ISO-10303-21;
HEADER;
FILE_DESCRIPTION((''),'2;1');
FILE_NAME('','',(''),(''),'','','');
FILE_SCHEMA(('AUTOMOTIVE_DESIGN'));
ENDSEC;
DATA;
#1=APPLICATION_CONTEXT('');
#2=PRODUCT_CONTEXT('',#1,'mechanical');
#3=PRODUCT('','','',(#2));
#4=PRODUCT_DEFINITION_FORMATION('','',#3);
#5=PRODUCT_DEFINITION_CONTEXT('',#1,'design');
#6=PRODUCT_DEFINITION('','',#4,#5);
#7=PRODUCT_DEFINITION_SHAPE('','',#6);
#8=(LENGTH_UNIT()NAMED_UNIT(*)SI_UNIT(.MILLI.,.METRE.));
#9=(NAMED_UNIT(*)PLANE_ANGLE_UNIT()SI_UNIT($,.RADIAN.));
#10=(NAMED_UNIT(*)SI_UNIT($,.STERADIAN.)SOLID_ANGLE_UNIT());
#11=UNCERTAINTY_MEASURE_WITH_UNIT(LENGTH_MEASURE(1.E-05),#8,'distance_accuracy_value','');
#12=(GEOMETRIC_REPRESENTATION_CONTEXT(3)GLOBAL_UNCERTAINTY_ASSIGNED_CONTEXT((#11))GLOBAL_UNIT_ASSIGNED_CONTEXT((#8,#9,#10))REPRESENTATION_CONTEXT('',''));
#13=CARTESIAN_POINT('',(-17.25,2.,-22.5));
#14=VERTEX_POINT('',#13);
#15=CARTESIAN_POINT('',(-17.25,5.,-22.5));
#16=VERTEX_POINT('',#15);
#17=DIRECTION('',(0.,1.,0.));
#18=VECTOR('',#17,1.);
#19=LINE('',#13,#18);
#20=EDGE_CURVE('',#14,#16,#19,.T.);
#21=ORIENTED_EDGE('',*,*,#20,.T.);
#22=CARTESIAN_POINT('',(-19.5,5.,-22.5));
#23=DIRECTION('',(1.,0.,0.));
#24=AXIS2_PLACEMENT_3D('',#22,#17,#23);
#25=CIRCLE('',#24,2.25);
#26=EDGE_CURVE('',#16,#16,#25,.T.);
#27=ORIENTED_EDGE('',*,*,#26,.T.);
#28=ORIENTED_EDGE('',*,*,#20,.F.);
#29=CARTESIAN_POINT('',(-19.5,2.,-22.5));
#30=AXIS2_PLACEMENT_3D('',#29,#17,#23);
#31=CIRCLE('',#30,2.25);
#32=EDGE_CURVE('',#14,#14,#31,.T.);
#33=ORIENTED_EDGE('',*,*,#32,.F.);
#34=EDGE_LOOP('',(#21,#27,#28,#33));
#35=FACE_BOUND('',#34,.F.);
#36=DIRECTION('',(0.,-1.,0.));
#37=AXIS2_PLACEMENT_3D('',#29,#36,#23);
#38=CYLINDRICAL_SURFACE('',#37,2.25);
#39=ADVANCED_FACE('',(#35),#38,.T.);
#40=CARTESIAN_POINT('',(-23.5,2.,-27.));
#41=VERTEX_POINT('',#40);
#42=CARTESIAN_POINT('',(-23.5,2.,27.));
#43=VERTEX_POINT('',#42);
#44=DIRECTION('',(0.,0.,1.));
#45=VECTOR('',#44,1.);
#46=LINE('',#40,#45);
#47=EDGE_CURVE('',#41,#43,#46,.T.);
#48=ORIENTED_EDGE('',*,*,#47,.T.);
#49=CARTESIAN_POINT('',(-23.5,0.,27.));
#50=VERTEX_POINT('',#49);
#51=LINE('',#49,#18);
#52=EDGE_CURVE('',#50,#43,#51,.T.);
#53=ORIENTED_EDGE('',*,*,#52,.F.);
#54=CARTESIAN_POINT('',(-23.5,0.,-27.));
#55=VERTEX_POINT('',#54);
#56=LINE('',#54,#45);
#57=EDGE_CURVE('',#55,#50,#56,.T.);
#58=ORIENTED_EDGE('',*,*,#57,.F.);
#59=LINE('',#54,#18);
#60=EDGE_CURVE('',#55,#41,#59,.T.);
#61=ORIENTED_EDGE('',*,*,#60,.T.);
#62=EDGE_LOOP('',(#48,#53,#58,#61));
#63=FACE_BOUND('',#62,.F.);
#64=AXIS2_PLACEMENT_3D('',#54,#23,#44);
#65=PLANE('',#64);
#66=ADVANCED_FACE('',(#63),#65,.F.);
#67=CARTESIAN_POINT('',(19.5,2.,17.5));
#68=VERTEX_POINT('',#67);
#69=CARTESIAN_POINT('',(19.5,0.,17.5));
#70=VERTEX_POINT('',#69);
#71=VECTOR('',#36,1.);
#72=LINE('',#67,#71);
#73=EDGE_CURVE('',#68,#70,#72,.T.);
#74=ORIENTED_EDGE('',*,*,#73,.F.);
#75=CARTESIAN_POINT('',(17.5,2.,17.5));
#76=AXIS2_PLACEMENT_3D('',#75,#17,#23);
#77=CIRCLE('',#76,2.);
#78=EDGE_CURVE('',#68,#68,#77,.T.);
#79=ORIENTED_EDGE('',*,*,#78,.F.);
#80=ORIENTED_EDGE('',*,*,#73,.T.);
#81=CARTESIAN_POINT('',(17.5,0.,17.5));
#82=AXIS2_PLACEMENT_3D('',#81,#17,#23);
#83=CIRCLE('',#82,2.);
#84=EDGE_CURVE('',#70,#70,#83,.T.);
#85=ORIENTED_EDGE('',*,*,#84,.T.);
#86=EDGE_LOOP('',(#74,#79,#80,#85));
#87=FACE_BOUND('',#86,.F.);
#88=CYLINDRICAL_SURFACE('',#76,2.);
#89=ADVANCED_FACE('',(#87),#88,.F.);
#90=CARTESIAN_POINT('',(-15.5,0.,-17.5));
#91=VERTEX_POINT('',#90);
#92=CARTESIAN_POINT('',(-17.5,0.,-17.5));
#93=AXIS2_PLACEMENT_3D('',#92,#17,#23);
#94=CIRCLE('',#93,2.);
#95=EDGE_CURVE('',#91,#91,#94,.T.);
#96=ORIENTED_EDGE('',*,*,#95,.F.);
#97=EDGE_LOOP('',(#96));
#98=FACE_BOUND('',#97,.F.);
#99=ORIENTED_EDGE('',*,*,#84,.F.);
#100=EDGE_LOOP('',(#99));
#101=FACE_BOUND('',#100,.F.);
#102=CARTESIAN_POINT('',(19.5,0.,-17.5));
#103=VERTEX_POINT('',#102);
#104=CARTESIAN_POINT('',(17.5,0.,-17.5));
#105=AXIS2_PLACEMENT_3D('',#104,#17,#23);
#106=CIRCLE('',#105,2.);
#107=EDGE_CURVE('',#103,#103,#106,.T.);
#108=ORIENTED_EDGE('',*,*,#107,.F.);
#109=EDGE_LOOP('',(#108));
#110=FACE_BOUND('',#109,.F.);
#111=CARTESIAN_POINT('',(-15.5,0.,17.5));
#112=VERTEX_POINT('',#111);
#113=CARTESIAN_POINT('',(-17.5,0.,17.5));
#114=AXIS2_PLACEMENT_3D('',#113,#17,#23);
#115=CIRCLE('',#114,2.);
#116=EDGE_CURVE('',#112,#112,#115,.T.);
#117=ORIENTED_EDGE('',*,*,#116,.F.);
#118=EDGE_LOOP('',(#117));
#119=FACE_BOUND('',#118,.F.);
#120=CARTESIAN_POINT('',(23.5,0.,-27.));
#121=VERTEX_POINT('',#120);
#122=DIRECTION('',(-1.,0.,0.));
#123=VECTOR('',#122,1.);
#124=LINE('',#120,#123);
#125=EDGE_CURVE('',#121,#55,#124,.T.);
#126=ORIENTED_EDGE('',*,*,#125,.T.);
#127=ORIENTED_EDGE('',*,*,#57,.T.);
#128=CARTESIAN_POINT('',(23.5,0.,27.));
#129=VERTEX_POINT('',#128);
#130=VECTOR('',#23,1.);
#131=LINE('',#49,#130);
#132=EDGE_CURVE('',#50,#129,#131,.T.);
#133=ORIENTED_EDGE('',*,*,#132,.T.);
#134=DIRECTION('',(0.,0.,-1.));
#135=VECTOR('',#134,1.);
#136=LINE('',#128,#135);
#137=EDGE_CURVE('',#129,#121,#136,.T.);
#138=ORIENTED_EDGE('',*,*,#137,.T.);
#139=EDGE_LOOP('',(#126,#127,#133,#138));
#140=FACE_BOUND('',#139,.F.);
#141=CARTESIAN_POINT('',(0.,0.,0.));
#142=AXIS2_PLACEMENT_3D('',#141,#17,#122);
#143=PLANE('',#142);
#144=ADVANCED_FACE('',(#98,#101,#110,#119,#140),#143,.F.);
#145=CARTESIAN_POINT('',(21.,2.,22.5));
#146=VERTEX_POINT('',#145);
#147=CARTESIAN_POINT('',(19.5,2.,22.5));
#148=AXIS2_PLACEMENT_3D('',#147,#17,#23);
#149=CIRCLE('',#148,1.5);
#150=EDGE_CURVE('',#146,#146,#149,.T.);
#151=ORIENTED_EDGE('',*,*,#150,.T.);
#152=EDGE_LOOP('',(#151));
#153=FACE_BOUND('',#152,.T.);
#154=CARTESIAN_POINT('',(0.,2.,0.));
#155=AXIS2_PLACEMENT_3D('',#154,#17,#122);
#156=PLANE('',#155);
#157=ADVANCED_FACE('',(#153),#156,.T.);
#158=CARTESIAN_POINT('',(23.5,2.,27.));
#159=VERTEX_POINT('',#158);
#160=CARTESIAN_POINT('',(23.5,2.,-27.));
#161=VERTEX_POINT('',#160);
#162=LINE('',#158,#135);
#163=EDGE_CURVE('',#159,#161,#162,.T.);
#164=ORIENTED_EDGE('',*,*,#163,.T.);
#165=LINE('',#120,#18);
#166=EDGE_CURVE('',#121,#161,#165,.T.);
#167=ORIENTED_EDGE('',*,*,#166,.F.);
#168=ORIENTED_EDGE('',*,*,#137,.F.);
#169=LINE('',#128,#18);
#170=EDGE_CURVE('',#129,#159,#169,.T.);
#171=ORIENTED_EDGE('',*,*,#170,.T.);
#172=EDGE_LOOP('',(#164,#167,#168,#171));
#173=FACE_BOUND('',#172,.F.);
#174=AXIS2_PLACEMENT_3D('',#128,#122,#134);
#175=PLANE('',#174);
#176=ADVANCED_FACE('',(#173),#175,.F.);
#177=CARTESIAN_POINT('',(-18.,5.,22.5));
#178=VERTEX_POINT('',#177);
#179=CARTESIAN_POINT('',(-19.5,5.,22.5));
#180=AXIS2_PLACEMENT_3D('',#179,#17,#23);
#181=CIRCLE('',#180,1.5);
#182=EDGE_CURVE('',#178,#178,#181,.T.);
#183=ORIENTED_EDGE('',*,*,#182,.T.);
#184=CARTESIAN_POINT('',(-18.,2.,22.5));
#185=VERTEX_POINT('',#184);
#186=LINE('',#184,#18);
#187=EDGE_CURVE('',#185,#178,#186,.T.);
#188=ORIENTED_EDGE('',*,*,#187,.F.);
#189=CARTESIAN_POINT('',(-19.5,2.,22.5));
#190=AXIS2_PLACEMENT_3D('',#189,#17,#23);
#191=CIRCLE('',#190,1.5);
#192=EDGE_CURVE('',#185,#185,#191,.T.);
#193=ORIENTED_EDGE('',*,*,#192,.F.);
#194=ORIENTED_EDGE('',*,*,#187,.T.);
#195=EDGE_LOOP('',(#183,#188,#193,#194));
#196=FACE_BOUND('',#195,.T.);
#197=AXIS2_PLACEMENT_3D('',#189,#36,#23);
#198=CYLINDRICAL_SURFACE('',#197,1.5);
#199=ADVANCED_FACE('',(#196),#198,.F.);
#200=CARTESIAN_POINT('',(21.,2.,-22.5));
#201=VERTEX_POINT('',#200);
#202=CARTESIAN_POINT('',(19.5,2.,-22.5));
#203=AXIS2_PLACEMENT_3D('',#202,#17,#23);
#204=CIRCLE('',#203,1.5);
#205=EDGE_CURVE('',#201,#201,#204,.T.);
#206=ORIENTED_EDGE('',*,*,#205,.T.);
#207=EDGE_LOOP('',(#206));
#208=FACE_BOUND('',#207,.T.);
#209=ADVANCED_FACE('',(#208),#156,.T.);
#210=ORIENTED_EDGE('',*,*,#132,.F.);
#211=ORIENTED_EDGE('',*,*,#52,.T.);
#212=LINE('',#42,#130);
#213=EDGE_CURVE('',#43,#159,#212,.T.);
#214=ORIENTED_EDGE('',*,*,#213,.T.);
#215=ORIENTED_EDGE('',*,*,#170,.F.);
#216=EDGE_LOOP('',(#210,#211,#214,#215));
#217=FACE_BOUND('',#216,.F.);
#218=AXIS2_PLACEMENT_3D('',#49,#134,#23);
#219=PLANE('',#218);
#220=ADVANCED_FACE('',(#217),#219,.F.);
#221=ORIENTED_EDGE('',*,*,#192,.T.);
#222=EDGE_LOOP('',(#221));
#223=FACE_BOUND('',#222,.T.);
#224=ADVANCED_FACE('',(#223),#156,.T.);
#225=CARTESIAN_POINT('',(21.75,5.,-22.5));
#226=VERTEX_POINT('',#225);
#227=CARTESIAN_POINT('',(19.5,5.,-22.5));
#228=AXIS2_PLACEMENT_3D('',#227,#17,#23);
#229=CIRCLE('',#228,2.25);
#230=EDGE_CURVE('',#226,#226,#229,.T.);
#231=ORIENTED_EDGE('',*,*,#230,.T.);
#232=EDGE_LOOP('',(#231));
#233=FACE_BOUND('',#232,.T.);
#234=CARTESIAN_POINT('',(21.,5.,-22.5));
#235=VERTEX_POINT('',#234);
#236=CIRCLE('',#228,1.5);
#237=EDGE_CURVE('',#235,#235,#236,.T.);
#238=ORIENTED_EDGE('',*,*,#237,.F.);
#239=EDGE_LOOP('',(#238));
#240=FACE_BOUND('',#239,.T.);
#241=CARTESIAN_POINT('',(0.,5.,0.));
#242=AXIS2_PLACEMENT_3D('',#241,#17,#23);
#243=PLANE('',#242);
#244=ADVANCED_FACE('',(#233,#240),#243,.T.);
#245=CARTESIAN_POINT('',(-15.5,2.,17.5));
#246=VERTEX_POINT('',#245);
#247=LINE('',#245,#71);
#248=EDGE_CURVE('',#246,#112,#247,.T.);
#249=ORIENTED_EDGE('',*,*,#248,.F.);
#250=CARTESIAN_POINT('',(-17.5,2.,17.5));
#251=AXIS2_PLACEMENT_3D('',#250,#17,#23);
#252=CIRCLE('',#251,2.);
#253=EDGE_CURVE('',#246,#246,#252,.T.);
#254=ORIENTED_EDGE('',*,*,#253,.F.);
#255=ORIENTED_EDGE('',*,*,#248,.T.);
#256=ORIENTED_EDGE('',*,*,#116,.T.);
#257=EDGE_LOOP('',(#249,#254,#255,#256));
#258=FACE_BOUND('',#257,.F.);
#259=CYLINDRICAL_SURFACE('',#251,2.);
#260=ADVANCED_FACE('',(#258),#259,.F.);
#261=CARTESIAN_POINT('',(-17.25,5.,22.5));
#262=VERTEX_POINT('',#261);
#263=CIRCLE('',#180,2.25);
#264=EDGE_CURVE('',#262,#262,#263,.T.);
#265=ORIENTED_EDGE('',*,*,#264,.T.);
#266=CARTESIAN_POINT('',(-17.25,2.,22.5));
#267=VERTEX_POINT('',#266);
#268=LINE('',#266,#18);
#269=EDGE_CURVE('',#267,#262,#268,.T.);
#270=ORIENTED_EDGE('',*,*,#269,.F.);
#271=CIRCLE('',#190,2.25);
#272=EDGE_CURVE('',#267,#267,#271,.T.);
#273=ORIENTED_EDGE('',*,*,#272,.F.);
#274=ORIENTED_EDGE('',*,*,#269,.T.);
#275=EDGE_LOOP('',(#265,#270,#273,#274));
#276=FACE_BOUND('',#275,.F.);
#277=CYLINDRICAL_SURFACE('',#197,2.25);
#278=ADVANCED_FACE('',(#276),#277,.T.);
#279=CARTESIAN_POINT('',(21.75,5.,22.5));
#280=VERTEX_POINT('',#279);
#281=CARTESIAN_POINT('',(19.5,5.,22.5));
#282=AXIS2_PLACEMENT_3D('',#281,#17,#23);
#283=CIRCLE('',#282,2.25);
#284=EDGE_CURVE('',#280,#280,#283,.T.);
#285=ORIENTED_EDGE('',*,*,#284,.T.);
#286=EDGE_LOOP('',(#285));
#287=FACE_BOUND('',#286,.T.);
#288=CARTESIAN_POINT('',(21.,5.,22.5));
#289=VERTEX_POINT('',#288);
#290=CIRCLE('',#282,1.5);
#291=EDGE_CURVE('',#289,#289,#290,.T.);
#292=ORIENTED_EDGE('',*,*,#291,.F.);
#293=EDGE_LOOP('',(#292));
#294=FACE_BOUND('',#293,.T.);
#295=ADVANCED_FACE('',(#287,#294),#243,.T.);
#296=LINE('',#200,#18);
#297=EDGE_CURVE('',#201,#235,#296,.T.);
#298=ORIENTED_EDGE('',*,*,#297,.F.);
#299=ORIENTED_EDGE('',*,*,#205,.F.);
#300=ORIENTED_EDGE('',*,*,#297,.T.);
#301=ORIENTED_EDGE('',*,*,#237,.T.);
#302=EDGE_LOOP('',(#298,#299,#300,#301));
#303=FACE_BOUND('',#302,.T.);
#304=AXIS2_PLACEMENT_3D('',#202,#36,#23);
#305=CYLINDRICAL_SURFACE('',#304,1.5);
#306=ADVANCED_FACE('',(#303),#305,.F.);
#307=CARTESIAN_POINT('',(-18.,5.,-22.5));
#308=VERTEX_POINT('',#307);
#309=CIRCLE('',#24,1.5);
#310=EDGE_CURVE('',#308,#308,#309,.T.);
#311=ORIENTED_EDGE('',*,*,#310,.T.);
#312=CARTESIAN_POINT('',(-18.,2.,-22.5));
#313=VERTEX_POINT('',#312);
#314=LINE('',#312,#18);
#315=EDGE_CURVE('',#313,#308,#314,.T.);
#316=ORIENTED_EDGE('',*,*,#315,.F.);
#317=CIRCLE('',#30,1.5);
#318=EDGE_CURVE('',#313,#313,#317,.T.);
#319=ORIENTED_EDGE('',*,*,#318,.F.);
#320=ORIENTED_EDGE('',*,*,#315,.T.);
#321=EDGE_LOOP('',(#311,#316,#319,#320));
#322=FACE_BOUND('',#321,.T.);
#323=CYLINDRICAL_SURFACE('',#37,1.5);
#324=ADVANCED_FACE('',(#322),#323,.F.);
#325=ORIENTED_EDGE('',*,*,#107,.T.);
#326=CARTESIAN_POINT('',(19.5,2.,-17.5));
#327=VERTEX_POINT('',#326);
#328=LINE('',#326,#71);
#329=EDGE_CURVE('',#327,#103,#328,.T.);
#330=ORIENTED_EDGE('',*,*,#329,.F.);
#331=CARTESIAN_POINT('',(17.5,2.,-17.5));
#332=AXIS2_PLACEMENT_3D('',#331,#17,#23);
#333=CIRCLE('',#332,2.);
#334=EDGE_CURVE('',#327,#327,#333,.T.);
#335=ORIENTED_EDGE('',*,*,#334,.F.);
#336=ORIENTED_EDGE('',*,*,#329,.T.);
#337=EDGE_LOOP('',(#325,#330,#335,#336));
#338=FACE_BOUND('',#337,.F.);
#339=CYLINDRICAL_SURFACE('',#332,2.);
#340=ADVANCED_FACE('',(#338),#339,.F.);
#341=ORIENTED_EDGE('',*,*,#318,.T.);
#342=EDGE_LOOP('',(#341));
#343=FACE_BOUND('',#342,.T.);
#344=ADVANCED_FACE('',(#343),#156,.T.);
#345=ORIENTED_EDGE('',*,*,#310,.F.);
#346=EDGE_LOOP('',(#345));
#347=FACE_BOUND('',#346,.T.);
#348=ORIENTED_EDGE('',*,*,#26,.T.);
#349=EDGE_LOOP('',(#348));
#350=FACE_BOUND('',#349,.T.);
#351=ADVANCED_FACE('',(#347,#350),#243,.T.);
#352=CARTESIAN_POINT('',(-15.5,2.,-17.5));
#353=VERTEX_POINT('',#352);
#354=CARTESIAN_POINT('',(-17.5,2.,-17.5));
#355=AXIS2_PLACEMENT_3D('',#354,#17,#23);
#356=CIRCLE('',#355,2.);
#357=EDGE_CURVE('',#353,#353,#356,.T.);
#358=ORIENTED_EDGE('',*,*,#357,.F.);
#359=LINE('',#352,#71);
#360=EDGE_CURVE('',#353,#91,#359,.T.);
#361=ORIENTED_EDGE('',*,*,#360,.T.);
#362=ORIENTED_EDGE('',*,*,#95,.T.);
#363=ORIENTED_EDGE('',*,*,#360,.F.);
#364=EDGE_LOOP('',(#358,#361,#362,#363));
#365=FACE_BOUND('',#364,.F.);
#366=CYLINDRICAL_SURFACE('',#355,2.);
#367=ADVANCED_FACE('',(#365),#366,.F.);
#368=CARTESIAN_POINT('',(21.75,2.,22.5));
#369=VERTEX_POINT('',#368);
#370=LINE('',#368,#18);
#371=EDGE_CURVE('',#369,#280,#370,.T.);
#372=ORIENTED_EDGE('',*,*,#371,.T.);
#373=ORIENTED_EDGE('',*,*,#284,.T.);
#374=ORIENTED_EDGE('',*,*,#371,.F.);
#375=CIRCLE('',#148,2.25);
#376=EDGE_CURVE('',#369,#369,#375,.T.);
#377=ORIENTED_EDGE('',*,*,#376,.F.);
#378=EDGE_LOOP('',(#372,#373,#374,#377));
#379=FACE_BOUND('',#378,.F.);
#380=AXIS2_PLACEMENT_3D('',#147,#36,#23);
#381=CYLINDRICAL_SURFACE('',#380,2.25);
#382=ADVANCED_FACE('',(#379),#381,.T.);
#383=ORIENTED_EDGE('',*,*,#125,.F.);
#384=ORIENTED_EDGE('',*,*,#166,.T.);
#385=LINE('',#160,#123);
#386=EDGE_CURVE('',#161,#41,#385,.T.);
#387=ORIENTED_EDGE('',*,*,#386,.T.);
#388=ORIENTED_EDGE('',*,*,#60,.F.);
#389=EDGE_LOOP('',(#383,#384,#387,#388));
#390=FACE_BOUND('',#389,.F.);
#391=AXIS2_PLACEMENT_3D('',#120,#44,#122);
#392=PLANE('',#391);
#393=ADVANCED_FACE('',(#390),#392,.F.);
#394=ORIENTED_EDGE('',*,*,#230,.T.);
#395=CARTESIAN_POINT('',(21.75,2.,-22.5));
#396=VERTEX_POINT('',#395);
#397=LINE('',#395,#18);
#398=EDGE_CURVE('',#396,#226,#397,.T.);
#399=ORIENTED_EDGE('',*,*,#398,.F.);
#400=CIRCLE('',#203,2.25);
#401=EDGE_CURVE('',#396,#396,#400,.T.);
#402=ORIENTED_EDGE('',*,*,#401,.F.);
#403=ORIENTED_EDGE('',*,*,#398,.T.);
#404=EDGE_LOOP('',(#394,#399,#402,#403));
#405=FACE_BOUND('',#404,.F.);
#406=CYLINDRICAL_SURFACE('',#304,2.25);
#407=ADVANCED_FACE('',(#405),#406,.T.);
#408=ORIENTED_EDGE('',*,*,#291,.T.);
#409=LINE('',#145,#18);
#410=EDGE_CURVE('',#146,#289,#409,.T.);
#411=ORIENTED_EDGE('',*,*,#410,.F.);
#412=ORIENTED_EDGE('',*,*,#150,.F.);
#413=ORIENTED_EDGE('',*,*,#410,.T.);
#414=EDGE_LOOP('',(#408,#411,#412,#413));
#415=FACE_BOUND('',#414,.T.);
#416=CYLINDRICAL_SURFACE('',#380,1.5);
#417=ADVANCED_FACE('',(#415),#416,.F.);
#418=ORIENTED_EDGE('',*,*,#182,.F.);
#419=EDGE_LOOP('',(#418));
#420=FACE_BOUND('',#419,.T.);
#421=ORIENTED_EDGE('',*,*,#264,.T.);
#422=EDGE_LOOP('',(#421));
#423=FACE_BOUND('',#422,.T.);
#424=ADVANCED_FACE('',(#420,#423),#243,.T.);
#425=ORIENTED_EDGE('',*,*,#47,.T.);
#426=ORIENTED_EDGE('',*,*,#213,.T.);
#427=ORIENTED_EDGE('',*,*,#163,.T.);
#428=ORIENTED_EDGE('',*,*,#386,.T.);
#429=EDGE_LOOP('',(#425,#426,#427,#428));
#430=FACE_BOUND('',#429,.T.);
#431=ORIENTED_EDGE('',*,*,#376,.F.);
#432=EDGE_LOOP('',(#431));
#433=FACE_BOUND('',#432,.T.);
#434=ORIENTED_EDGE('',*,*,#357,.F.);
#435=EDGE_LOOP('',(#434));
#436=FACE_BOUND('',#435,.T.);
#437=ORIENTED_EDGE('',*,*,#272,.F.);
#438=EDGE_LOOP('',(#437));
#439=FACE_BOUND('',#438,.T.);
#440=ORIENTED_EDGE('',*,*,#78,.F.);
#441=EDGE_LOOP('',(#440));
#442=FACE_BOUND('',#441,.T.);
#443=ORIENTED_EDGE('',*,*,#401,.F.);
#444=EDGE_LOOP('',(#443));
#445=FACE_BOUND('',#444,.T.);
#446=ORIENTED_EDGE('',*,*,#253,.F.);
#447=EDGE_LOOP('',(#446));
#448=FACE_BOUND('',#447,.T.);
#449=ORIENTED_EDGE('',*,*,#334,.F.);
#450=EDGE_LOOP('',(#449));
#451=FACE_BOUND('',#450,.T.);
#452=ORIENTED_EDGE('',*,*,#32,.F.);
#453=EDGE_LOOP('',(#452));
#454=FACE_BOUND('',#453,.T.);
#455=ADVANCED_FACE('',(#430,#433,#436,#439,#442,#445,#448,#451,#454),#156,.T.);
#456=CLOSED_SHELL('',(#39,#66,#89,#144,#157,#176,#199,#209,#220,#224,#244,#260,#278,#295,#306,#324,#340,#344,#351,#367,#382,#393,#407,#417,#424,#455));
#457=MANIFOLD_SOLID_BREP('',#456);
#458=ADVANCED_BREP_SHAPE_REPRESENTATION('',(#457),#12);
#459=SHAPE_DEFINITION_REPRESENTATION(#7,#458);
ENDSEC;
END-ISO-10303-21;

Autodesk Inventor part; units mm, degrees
ref_plane "YZ Plane" through (0, 0, 0) normal (1, 0, 0) x (0, 1, 0)
ref_plane "XZ Plane" through (0, 0, 0) normal (0, 1, 0) x (-1, 0, 0)
ref_plane "XY Plane" through (0, 0, 0) normal (0, 0, 1) x (1, 0, 0)
sketch "Sketch1" plane through (0, 0, 0) normal (0, 1, 0) x (-1, 0, 0)
  point P0 (0, 0)
sketch "Sketch2" plane through (0, 0, 0) normal (0, 1, 0) x (-1, 0, 0)
  line L0 (23.5, 27) -> (-23.5, 27)
  line L1 (-23.5, 27) -> (-23.5, -27)
  line L2 (-23.5, -27) -> (23.5, -27)
  line L3 (23.5, -27) -> (23.5, 27)
  dimension "d4" = 47
  dimension "d5" = 54
extrude "Extrusion1" add sketch "Sketch2" along normal blind 2
sketch "Sketch3" plane through (0, 2, 0) normal (0, 1, 0) x (1, 0, 0)
  point P0 (0, 0)
sketch "Sketch4" plane through (0, 2, 0) normal (0, 1, 0) x (1, 0, 0)
  circle A0 centre (19.5, 22.5) radius 1.5
  circle A1 centre (19.5, -22.5) radius 1.5
  circle A2 centre (-19.5, -22.5) radius 1.5
  circle A3 centre (-19.5, 22.5) radius 1.5
  circle A4 centre (-19.5, 22.5) radius 2.25
  circle A5 centre (19.5, 22.5) radius 2.25
  circle A6 centre (19.5, -22.5) radius 2.25
  circle A7 centre (-19.5, -22.5) radius 2.25
  dimension "d24" = 3
  dimension "d27" = 3
  dimension "d30" = 3
  dimension "d33" = 3
  dimension "d34" = 4.5
  dimension "d35" = 4.5
  dimension "d36" = 4.5
  dimension "d37" = 4.5
extrude "Extrusion2" add sketch "Sketch4" along normal blind 3
sketch "Sketch5" plane through (0, 2, 0) normal (0, 1, 0) x (1, 0, 0)
  circle A0 centre (-17.5, -17.5) radius 2
  circle A1 centre (-17.5, 17.5) radius 2
  circle A2 centre (17.5, 17.5) radius 2
  circle A3 centre (17.5, -17.5) radius 2
  dimension "d42" = 4
  dimension "d43" = 4
  dimension "d44" = 4
  dimension "d45" = 4
extrude "Extrusion3" cut sketch "Sketch5" against normal through all
properties part number "Box1_Buttom"
